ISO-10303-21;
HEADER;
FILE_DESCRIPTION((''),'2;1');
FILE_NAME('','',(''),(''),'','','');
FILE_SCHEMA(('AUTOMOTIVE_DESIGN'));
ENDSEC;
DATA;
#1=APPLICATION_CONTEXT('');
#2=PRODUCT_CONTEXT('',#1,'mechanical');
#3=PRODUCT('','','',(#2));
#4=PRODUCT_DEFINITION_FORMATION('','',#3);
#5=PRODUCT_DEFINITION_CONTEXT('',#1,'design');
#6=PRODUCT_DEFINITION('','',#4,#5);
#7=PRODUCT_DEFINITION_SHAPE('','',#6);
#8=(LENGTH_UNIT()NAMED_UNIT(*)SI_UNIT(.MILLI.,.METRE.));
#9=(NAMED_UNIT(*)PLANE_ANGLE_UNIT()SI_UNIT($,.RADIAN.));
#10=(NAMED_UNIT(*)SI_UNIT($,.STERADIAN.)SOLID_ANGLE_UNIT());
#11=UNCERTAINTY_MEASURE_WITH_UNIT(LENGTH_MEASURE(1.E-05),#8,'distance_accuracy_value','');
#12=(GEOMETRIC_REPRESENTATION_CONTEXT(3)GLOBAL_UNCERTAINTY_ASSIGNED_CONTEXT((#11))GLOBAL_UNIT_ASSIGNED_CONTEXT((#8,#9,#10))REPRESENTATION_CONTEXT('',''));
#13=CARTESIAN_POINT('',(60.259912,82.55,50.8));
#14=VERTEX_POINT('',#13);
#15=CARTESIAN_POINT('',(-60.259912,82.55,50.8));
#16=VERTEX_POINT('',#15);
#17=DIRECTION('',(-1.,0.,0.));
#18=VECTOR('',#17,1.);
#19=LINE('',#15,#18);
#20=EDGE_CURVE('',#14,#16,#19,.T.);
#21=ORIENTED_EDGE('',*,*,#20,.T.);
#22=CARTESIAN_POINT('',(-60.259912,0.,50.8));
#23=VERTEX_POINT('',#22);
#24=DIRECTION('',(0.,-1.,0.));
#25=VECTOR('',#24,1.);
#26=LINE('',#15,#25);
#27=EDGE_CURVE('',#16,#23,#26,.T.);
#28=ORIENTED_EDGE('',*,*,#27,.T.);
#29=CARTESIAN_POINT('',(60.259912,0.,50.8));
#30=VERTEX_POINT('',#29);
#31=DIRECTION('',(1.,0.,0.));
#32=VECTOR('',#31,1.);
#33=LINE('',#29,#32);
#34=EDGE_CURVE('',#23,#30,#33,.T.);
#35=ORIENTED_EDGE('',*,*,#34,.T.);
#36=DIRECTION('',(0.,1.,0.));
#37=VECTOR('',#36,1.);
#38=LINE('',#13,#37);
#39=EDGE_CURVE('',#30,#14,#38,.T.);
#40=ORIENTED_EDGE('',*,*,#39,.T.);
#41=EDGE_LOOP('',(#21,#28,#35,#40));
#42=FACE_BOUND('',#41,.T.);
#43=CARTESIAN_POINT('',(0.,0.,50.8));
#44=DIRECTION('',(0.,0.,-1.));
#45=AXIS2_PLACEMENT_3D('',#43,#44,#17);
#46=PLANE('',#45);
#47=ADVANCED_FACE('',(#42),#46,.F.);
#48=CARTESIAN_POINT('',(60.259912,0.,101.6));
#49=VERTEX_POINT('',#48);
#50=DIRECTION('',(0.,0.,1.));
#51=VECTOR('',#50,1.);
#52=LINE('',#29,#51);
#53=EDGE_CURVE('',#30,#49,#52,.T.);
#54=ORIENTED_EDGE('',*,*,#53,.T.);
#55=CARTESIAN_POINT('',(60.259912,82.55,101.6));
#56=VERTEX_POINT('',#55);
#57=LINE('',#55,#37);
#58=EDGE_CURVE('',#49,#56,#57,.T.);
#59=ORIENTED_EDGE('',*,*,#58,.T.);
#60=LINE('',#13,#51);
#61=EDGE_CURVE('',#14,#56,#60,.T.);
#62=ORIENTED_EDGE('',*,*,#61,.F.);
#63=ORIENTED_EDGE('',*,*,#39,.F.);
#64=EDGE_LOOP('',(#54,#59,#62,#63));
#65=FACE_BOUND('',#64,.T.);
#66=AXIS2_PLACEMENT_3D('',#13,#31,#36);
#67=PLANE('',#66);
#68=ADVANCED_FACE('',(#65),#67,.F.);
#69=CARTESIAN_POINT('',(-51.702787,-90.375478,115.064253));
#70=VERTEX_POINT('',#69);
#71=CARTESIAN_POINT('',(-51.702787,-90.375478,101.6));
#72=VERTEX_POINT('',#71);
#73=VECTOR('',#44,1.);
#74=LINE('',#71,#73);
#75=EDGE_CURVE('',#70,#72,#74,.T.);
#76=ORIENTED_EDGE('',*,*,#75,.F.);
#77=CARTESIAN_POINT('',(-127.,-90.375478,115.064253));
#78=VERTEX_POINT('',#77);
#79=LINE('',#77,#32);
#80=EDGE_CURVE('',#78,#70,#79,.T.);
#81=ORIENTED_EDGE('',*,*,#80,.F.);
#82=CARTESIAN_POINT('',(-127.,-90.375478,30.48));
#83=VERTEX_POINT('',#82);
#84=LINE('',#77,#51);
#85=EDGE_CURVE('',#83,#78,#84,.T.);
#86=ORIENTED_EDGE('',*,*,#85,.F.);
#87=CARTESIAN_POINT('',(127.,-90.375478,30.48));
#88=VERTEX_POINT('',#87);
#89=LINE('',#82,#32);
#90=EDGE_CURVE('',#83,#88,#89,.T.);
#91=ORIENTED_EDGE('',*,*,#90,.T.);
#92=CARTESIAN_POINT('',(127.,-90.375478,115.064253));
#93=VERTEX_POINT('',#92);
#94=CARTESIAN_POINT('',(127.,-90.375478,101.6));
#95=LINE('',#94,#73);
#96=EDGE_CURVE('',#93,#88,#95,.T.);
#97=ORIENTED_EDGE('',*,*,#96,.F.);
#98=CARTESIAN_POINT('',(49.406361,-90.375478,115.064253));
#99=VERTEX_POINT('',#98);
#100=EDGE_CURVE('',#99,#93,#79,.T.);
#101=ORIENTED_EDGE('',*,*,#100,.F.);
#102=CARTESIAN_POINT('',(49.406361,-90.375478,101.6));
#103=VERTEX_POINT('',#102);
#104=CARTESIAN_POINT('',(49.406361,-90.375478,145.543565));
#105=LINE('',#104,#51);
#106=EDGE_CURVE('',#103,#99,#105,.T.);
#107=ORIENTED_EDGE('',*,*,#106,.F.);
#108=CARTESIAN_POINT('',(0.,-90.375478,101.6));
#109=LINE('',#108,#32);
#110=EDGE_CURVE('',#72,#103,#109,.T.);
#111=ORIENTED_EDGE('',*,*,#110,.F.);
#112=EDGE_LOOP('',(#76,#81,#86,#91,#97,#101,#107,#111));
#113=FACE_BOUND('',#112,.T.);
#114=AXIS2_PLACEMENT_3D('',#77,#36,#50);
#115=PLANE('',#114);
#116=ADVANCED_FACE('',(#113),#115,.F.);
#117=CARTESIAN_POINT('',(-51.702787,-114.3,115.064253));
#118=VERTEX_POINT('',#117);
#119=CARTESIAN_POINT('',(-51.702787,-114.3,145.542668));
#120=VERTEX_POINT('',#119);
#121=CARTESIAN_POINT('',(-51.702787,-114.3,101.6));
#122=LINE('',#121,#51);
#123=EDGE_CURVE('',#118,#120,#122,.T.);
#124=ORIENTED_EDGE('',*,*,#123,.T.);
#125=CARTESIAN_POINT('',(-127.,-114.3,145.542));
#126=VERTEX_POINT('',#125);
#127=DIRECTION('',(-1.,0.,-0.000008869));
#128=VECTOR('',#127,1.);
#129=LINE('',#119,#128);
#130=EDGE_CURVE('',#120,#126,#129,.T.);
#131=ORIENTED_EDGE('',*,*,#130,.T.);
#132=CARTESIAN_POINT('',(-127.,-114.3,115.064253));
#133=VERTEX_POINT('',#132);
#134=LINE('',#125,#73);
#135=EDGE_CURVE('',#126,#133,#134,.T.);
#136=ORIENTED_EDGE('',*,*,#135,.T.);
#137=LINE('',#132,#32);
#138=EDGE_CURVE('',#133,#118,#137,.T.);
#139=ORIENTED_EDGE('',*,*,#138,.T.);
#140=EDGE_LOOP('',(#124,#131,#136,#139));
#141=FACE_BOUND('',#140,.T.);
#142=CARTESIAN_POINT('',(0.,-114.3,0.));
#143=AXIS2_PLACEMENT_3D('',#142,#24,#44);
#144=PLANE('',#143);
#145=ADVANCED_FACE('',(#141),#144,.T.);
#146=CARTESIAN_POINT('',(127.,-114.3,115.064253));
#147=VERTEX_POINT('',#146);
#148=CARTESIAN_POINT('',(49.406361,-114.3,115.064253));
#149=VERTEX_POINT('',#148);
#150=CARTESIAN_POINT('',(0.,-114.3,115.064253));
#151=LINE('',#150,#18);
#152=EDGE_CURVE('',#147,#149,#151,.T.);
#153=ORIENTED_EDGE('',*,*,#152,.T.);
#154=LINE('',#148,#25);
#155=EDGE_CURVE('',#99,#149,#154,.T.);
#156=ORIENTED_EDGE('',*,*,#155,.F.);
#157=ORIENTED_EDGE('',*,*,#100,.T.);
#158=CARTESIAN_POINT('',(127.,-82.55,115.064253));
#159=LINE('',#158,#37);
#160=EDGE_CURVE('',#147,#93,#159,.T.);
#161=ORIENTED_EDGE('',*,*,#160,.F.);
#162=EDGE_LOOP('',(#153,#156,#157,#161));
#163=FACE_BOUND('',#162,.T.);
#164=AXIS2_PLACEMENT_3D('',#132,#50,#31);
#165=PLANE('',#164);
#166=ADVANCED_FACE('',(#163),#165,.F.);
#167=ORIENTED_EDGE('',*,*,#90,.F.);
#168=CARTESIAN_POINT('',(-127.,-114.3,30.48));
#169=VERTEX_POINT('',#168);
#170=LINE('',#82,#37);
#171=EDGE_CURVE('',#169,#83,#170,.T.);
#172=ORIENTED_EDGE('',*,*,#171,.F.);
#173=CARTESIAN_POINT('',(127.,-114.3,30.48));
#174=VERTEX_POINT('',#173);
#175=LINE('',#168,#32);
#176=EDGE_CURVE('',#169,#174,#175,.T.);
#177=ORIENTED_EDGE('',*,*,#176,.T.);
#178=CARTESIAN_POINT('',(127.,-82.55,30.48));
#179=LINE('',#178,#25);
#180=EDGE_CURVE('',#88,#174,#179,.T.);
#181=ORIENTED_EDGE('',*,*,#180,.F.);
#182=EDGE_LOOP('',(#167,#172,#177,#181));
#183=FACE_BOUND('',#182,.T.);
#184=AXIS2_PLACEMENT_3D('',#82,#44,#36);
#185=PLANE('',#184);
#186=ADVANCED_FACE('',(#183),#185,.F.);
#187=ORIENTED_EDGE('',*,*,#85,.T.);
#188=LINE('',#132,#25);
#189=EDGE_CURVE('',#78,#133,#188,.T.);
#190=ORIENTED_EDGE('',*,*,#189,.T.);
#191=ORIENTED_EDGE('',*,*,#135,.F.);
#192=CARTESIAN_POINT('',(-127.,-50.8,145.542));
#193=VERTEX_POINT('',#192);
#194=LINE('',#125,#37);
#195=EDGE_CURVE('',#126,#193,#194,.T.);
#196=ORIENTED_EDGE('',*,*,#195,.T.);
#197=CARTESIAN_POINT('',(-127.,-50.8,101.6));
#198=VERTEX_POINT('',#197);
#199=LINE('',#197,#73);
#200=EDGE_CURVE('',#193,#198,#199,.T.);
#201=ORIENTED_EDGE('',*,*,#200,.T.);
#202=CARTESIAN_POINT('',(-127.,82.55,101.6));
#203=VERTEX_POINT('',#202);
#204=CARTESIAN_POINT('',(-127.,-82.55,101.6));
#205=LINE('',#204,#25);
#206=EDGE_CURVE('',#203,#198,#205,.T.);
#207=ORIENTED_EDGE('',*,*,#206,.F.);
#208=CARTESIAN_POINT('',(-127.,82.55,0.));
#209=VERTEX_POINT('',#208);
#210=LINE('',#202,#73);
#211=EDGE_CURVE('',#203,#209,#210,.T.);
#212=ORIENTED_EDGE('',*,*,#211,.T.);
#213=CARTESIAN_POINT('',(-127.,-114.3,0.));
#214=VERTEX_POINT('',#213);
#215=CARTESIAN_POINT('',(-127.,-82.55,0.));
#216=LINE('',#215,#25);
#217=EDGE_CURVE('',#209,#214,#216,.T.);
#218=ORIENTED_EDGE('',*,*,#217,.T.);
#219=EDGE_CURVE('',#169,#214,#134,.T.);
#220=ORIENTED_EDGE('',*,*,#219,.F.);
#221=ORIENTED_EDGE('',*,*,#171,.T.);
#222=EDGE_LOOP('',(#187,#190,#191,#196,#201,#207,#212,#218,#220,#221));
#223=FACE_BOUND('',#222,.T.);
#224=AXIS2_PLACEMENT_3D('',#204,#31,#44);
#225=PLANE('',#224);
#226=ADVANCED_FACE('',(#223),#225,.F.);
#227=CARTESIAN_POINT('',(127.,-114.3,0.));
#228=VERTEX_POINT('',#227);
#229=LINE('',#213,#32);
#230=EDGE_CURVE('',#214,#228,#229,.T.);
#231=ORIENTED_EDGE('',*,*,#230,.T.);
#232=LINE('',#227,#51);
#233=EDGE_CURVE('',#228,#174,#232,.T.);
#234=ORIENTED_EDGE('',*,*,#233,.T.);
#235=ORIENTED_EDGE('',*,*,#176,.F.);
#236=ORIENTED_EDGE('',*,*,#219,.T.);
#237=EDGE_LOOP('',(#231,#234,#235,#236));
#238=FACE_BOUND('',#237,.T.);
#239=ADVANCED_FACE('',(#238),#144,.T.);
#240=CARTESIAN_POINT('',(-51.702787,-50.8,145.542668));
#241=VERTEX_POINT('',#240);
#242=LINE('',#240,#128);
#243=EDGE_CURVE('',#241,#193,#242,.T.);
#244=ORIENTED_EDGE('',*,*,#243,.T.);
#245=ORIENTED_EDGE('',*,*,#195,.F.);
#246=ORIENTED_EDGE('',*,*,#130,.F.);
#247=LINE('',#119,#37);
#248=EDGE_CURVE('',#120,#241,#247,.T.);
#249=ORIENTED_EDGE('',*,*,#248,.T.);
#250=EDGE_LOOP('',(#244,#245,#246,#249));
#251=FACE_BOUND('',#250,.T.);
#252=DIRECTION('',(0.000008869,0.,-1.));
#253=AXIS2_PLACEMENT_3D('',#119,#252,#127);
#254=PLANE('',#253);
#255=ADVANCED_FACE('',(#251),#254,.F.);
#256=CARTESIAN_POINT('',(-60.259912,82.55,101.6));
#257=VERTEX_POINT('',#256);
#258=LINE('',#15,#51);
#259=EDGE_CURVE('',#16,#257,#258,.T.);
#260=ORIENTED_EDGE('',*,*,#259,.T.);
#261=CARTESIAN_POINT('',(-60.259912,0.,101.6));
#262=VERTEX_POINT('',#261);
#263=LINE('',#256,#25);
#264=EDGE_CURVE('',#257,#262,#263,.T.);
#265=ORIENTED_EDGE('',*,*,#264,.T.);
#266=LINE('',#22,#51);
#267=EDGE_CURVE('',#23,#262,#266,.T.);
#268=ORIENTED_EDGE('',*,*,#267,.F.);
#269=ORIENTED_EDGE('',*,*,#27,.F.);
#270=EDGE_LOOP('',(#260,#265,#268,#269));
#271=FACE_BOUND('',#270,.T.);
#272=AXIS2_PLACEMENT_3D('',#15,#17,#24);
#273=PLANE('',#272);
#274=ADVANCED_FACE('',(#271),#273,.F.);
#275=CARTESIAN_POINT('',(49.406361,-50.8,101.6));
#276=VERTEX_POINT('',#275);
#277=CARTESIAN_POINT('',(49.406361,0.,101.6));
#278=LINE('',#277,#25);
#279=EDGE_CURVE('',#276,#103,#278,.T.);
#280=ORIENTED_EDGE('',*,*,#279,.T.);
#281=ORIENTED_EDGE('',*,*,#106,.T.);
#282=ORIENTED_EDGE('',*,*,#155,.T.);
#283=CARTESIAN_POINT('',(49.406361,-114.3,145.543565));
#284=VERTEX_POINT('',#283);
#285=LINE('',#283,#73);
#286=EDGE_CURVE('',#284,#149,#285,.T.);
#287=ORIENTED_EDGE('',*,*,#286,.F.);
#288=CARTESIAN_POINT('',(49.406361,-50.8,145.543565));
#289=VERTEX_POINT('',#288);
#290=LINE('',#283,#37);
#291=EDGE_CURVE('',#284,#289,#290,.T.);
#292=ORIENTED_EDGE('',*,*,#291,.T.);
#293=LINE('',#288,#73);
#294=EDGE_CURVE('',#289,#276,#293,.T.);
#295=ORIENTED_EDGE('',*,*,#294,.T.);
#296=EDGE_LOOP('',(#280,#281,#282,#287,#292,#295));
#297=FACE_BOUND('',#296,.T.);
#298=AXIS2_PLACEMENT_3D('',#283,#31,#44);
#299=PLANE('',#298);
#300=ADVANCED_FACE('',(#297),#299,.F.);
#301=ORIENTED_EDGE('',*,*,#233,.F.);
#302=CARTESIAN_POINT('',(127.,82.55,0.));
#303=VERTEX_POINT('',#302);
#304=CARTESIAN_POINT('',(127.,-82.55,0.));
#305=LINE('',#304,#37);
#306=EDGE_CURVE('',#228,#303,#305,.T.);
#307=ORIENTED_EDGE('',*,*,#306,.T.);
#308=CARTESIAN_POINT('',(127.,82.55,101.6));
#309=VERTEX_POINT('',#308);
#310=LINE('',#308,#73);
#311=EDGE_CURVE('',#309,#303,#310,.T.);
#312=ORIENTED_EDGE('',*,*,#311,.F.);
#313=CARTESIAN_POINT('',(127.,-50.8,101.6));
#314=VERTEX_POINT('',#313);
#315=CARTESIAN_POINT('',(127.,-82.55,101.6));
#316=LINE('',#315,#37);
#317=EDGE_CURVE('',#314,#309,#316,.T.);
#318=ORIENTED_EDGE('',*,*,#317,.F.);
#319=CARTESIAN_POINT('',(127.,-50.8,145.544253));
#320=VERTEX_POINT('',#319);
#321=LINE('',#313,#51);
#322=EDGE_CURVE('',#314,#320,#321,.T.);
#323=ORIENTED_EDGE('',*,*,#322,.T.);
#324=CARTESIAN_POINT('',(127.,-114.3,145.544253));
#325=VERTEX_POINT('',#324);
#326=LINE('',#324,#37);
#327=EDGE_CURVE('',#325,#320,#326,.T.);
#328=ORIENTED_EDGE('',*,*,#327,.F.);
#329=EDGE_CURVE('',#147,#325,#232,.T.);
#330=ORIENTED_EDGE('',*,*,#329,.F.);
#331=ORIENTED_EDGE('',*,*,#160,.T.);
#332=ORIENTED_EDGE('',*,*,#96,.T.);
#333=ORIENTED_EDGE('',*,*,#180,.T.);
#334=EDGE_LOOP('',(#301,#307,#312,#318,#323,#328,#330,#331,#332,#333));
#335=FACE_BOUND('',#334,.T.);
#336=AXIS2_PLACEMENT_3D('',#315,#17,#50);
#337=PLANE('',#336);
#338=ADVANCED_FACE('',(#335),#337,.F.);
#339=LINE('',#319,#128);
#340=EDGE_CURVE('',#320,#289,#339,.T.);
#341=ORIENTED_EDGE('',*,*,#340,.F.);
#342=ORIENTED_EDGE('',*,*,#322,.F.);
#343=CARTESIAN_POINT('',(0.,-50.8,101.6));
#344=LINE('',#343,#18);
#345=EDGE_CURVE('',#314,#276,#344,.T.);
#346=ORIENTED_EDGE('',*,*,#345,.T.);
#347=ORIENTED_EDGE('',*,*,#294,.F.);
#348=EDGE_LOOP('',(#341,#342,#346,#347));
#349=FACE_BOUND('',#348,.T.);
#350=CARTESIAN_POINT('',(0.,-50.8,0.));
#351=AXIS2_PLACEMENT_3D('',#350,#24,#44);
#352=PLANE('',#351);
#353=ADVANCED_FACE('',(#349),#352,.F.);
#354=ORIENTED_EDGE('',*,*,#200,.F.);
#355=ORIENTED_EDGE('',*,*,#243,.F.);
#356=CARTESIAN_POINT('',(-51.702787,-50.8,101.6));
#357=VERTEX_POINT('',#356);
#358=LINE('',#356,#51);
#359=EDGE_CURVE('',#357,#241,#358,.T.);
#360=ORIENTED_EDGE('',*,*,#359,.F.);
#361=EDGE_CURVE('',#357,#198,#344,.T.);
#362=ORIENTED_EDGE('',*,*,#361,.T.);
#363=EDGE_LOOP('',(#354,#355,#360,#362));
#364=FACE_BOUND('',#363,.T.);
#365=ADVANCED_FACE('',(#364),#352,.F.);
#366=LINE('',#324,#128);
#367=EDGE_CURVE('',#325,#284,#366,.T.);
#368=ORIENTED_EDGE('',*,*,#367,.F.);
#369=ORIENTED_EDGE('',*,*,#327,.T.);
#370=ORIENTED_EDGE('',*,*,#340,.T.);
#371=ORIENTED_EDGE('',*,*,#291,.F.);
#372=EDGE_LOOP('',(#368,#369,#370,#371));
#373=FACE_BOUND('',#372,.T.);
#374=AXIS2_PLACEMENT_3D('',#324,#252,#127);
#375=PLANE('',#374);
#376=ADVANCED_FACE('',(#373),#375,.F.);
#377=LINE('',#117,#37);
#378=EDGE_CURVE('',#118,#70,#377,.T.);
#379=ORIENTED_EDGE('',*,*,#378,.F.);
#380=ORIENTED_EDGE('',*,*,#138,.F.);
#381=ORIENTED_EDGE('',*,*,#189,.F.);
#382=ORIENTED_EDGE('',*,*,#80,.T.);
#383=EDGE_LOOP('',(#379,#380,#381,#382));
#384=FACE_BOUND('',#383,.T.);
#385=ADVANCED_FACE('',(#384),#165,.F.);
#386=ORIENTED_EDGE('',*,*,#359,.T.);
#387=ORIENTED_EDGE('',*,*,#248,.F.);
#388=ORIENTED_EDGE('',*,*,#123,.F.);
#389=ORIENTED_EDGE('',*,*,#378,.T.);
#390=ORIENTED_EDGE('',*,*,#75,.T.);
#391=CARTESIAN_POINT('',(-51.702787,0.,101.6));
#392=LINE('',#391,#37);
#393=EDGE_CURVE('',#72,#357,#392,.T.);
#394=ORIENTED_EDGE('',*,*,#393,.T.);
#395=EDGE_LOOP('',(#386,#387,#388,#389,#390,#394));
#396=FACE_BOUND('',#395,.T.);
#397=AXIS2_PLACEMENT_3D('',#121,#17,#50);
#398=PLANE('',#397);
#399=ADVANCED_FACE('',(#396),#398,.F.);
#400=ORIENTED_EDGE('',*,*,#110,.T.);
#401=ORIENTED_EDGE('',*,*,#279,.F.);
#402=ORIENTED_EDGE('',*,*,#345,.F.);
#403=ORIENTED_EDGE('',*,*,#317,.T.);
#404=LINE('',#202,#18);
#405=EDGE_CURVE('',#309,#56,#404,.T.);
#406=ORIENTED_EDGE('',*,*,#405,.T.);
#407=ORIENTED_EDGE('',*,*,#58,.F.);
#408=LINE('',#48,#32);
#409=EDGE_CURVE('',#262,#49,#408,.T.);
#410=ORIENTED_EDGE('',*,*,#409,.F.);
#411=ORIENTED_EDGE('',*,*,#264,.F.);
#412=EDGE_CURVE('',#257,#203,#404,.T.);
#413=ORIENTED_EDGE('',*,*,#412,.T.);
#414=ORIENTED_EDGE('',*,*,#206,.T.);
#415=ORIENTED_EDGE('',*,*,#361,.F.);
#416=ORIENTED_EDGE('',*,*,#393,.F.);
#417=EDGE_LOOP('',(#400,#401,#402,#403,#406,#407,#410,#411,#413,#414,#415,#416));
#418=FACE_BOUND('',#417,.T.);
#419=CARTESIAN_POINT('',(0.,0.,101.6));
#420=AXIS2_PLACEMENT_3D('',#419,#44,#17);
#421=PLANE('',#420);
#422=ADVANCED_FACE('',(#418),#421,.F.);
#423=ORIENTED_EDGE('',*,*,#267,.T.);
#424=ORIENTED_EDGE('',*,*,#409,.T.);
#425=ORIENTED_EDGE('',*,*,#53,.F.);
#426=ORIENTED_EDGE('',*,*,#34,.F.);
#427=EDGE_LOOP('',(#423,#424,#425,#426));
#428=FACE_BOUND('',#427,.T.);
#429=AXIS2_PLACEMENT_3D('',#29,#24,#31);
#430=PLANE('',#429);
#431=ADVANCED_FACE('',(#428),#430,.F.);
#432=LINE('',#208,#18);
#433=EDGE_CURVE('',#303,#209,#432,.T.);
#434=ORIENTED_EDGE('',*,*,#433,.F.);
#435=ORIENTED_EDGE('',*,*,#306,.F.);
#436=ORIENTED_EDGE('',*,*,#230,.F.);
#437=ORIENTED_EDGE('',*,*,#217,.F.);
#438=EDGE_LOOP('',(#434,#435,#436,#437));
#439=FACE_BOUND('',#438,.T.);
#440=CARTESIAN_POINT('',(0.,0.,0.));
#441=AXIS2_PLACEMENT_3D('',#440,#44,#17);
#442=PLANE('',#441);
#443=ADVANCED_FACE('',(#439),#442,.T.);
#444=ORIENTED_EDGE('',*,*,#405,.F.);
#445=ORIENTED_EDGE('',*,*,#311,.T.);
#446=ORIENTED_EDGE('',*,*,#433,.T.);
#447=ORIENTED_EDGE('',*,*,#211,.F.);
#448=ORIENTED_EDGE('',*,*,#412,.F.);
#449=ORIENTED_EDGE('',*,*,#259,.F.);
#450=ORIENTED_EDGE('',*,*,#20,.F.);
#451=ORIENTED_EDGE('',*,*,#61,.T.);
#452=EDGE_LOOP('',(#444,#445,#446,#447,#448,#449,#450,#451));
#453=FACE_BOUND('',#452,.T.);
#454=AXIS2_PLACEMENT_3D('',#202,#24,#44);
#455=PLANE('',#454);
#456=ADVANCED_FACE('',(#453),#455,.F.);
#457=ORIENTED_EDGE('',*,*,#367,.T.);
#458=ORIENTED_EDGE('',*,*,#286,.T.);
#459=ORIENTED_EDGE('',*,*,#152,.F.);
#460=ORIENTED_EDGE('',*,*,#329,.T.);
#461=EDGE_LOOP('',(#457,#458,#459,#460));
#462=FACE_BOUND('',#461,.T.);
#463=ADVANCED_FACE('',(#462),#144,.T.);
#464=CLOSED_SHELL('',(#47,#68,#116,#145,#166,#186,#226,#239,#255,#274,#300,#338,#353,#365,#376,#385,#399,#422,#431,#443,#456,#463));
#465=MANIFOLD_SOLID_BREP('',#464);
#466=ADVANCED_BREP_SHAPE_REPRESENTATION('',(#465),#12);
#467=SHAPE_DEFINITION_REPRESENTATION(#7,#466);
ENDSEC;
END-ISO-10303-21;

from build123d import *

# Parameters (mm, degrees)
SKETCH1_W               = 254
SKETCH1_H               = 165.1
BOSS_EXTRUDE1_DEPTH     = 101.6
SKETCH2_W               = 120.519823472
SKETCH2_H               = 82.55
CUT_EXTRUDE1_DEPTH      = 50.8
BOSS_EXTRUDE2_DEPTH     = 31.75
CUT_EXTRUDE2_DEPTH      = 315.266796717
CUT_EXTRUDE2_DEPTH_BACK = 315.266796717
SKETCH4_W               = 84.584252786
SKETCH4_H               = 23.924522196


with BuildPart() as part:
    # Sketch1 → Boss-Extrude1 (new body)
    with BuildSketch(Plane.XY):
        Rectangle(SKETCH1_W, SKETCH1_H)
    extrude(amount=BOSS_EXTRUDE1_DEPTH)

    # Sketch2 → Cut-Extrude1 (cut)
    with BuildSketch(Plane.XY.offset(101.6)):
        with Locations((0, 41.275)):
            Rectangle(SKETCH2_W, SKETCH2_H)
    extrude(amount=-CUT_EXTRUDE1_DEPTH, mode=Mode.SUBTRACT)

    # Sketch3 → Boss-Extrude2 (add, symmetric)
    with BuildSketch(Plane(origin=(0, -82.55, 0), x_dir=(-1, 0, 0), z_dir=(0, -1, 0))):
        Polygon((-127, -101.6), (-127, -145.544252786), (-49.406360538, -145.543564589), (-49.406360538, -101.6), (51.702787408, -101.6), (51.702787408, -145.542667829), (127, -145.542), (127, -101.6), (127, 0), (-127, 0), align=None)
    extrude(amount=BOSS_EXTRUDE2_DEPTH, both=True)

    # Sketch4 → Cut-Extrude2 (cut, two sides: drawn at the far end of the back side and taken through both)
    with BuildSketch(Plane(origin=(127, 0, 0), x_dir=(0, 0, -1), z_dir=(1, 0, 0)).offset(-CUT_EXTRUDE2_DEPTH_BACK)):
        with Locations((-72.772126393, -102.337738902)):
            Rectangle(SKETCH4_W, SKETCH4_H)
    extrude(amount=CUT_EXTRUDE2_DEPTH + CUT_EXTRUDE2_DEPTH_BACK, mode=Mode.SUBTRACT)


solid = part.part
